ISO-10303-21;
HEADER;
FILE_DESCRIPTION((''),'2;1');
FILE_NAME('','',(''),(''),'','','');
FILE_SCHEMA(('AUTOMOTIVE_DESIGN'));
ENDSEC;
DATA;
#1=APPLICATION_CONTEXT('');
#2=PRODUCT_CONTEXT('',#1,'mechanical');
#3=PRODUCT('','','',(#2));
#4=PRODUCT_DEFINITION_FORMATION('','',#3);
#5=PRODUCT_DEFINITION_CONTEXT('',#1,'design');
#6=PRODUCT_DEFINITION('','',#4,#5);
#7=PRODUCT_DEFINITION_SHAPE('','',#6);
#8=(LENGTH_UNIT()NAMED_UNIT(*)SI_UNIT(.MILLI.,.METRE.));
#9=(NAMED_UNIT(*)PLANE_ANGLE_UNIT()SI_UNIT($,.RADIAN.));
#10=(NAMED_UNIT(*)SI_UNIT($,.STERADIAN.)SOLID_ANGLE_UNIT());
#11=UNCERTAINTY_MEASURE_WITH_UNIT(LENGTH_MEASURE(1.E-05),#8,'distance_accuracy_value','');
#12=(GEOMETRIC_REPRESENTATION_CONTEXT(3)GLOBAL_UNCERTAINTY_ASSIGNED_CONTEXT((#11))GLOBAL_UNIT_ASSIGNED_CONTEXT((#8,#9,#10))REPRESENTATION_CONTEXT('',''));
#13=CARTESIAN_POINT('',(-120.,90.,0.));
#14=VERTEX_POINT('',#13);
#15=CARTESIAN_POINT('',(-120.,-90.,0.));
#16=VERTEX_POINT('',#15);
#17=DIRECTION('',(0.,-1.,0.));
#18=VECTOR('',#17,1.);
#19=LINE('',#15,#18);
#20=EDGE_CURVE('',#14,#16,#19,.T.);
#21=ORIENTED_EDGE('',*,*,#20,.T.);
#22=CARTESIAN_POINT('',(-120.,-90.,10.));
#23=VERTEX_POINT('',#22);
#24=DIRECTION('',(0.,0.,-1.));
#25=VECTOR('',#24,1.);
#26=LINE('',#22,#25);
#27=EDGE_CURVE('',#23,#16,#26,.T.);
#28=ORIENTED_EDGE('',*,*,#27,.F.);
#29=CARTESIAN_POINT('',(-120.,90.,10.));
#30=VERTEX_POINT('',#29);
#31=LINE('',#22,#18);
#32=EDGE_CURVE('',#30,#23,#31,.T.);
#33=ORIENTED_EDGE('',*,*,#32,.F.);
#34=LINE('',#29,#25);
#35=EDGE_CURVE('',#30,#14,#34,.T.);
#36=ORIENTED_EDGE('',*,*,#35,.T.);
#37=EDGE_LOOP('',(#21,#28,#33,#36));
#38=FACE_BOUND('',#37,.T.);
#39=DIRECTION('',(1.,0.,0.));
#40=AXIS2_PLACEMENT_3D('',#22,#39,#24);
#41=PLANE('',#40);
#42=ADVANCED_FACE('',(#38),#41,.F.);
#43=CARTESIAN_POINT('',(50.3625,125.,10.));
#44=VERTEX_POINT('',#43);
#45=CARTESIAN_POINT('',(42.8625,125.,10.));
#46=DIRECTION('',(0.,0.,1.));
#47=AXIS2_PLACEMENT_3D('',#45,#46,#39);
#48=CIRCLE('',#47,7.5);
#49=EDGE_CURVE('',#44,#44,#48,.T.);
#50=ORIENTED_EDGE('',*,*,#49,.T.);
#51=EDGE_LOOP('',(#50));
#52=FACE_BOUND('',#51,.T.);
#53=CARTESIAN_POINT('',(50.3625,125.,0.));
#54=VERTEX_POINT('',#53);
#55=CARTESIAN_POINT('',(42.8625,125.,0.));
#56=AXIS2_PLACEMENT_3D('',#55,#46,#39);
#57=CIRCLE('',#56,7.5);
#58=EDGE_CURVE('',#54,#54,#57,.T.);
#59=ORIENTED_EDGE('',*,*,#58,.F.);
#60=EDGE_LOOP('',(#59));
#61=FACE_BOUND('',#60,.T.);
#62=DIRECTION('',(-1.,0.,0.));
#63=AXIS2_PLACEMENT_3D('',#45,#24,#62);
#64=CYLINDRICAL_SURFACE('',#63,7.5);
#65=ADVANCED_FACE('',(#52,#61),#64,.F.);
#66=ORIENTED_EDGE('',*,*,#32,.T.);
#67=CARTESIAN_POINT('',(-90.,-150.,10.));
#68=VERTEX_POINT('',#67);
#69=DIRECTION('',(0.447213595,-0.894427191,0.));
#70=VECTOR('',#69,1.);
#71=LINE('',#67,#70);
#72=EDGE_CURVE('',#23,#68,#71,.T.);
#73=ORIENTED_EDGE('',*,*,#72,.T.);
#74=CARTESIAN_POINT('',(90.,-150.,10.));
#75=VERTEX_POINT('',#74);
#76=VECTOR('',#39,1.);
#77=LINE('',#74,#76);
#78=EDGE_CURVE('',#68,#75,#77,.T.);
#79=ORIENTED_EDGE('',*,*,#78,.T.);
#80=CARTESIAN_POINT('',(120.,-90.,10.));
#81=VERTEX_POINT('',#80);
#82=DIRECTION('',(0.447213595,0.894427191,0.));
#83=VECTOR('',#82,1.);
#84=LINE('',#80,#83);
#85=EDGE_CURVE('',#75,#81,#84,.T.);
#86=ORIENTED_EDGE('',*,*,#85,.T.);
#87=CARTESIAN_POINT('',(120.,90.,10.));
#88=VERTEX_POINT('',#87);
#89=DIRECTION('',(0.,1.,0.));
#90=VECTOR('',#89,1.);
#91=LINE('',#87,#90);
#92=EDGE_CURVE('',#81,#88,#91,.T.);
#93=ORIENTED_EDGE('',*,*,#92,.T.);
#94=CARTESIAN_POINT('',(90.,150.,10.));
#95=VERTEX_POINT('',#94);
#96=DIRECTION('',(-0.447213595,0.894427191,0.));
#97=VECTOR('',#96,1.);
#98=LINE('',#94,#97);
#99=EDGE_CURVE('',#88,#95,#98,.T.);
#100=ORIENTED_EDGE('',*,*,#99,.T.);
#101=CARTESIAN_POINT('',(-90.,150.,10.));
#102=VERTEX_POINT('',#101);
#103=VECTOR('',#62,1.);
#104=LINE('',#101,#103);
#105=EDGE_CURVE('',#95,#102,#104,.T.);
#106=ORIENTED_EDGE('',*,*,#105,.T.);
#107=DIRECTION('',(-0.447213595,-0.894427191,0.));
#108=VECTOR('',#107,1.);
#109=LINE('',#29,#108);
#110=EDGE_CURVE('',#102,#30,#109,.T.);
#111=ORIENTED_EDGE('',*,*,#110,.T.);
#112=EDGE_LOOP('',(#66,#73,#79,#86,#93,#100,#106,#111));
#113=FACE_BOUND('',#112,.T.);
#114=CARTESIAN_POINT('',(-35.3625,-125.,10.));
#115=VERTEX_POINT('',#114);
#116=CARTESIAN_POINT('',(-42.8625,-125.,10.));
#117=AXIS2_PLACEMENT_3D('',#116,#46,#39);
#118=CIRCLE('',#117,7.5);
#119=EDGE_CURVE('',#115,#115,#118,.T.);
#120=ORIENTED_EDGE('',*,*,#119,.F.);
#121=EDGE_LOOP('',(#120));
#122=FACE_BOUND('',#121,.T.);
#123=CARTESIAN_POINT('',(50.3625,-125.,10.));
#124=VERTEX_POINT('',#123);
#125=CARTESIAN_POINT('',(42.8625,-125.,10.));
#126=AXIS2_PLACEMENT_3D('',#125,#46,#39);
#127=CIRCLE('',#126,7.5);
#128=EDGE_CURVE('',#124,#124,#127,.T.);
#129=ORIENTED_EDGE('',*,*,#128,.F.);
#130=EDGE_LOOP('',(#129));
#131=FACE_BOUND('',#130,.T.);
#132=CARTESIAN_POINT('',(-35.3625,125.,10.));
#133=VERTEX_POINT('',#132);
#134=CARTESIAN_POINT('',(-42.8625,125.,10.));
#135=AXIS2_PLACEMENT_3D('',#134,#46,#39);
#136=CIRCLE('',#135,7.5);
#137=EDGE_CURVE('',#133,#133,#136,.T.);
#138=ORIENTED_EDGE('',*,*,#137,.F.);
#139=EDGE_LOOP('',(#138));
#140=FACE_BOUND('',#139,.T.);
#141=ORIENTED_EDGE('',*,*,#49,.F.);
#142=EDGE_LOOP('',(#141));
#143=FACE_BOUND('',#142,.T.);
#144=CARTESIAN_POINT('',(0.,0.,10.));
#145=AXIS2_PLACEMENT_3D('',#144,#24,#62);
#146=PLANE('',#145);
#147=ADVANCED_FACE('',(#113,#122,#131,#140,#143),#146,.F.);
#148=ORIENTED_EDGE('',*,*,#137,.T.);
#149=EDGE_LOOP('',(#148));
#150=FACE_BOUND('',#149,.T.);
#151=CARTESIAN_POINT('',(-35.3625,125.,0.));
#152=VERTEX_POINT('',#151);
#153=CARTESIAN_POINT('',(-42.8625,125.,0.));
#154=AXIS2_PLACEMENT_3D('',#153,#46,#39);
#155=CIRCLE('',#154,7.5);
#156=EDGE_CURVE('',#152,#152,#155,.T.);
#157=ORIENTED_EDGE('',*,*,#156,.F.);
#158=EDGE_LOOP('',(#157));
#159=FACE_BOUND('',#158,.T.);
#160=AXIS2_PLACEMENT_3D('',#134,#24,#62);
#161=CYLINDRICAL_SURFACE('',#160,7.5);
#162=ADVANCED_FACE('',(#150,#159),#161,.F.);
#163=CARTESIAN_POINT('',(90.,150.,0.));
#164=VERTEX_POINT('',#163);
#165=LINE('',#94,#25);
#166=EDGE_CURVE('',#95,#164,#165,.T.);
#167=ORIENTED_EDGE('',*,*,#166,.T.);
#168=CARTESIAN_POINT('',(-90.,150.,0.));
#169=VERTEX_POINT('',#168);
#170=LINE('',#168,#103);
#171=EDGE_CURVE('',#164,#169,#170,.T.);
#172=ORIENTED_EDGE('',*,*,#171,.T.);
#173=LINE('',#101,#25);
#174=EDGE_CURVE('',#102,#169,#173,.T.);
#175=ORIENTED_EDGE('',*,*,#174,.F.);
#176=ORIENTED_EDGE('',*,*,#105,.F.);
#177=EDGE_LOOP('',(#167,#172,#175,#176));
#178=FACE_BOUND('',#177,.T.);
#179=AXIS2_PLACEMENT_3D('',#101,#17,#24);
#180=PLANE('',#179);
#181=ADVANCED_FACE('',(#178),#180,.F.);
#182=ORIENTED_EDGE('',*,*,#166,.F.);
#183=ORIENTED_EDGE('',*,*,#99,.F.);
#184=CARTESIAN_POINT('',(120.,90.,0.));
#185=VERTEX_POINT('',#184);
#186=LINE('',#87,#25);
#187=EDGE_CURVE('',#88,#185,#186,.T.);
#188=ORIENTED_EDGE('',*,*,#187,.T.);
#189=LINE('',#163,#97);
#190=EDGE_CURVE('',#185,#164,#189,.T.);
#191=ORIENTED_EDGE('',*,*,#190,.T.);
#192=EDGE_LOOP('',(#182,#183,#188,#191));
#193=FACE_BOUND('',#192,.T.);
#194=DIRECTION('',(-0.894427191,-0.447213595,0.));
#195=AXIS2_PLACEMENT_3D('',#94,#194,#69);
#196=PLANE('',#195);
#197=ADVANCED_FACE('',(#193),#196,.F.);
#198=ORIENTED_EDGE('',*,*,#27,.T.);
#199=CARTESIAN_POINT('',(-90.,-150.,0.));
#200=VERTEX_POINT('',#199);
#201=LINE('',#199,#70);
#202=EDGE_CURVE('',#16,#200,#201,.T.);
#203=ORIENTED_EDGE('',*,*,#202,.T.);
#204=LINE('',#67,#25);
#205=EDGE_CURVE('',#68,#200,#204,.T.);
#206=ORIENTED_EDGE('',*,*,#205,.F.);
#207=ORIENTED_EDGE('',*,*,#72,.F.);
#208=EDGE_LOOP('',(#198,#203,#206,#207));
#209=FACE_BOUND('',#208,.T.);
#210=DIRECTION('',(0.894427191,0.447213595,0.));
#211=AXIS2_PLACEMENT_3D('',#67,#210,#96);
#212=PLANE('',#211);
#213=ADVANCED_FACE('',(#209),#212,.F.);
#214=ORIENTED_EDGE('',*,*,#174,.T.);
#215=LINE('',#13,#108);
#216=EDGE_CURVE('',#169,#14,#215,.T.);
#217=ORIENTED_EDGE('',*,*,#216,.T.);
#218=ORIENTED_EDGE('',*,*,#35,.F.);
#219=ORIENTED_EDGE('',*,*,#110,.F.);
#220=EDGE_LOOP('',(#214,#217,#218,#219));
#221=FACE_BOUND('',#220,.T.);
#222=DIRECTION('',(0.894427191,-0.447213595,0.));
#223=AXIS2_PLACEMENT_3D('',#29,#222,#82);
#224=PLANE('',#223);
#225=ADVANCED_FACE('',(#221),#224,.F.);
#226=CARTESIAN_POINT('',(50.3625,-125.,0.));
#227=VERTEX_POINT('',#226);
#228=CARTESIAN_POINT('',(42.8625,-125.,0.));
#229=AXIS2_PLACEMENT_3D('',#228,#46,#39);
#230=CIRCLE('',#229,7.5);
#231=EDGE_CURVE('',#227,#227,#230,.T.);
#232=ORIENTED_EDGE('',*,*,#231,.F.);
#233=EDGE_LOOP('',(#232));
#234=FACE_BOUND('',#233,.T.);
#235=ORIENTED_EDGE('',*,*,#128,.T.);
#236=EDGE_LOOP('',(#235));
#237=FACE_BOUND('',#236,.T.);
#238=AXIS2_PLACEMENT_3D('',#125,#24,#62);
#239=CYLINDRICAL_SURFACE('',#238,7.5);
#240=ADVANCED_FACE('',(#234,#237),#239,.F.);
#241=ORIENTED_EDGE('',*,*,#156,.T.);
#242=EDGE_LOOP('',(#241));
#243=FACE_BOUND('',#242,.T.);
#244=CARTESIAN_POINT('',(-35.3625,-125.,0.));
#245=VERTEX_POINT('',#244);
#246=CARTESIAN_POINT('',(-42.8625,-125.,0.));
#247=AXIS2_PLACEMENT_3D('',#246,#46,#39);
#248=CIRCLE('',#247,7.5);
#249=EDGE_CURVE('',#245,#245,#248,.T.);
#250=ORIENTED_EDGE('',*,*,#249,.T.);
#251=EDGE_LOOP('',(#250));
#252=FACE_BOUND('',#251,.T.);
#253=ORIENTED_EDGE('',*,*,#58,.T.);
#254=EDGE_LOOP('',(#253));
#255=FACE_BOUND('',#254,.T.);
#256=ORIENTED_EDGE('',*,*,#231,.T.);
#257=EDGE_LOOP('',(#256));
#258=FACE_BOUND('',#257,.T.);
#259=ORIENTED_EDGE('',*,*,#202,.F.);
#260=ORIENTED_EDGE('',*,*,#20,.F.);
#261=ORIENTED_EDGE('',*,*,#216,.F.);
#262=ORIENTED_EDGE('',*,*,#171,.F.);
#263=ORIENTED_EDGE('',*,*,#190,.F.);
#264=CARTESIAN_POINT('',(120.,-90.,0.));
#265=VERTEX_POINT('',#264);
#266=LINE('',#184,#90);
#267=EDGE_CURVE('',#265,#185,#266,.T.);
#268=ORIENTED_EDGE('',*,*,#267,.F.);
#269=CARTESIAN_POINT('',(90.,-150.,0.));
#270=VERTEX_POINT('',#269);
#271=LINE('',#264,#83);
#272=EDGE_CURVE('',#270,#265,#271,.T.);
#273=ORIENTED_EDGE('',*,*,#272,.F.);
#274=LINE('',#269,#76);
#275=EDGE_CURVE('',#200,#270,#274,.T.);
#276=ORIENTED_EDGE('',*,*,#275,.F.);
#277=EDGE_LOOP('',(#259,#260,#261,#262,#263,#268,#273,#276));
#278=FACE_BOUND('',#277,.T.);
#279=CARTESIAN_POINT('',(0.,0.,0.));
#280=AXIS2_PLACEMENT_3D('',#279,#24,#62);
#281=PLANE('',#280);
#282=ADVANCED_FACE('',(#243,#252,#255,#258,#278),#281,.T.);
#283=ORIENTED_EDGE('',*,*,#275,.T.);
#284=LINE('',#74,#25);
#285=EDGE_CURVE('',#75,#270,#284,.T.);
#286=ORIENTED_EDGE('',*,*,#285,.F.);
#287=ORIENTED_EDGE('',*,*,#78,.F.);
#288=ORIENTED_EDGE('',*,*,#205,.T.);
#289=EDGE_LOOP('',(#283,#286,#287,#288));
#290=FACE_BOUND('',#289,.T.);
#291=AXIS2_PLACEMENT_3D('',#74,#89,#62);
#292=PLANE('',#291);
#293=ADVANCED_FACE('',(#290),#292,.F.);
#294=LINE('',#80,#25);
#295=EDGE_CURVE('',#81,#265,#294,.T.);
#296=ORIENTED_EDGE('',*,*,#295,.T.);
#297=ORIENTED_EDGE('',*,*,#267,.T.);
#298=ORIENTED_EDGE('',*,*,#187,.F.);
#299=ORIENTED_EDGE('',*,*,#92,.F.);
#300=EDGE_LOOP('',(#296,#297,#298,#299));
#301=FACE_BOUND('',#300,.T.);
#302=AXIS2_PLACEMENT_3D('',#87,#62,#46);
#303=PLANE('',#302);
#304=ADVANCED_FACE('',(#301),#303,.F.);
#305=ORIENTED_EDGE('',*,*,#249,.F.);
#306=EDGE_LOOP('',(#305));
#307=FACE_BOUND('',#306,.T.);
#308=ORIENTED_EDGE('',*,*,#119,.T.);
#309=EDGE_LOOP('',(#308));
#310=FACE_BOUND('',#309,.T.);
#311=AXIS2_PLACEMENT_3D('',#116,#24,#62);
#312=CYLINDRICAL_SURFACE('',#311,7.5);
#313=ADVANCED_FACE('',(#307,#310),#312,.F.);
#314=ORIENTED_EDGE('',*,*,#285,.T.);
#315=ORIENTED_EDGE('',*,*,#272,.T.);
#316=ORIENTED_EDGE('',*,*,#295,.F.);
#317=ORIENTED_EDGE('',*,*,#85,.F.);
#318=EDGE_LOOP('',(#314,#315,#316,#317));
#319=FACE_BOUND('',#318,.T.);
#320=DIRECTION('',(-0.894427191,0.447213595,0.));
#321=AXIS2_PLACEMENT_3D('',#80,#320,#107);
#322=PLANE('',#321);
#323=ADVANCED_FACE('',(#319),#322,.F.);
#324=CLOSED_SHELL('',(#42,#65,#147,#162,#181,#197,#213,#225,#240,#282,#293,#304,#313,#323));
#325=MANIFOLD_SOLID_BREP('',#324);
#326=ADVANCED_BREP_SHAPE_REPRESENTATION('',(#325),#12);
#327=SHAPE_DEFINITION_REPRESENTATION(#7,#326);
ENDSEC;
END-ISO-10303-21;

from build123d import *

# Parameters (mm, degrees)
SKETCH2_R           = 7.5
BOSS_EXTRUDE1_DEPTH = 10


with BuildPart() as part:
    # Sketch2 → Boss-Extrude1 (new body)
    with BuildSketch(Plane.XY):
        Polygon((-90, 150), (90, 150), (120, 90), (120, -90), (90, -150), (-90, -150), (-120, -90), (-120, 90), align=None)
        with Locations((42.8625, 125)):
            Circle(SKETCH2_R, mode=Mode.SUBTRACT)
        with Locations((-42.8625, 125)):
            Circle(SKETCH2_R, mode=Mode.SUBTRACT)
        with Locations((-42.8625, -125)):
            Circle(SKETCH2_R, mode=Mode.SUBTRACT)
        with Locations((42.8625, -125)):
            Circle(SKETCH2_R, mode=Mode.SUBTRACT)
    extrude(amount=BOSS_EXTRUDE1_DEPTH)


solid = part.part
